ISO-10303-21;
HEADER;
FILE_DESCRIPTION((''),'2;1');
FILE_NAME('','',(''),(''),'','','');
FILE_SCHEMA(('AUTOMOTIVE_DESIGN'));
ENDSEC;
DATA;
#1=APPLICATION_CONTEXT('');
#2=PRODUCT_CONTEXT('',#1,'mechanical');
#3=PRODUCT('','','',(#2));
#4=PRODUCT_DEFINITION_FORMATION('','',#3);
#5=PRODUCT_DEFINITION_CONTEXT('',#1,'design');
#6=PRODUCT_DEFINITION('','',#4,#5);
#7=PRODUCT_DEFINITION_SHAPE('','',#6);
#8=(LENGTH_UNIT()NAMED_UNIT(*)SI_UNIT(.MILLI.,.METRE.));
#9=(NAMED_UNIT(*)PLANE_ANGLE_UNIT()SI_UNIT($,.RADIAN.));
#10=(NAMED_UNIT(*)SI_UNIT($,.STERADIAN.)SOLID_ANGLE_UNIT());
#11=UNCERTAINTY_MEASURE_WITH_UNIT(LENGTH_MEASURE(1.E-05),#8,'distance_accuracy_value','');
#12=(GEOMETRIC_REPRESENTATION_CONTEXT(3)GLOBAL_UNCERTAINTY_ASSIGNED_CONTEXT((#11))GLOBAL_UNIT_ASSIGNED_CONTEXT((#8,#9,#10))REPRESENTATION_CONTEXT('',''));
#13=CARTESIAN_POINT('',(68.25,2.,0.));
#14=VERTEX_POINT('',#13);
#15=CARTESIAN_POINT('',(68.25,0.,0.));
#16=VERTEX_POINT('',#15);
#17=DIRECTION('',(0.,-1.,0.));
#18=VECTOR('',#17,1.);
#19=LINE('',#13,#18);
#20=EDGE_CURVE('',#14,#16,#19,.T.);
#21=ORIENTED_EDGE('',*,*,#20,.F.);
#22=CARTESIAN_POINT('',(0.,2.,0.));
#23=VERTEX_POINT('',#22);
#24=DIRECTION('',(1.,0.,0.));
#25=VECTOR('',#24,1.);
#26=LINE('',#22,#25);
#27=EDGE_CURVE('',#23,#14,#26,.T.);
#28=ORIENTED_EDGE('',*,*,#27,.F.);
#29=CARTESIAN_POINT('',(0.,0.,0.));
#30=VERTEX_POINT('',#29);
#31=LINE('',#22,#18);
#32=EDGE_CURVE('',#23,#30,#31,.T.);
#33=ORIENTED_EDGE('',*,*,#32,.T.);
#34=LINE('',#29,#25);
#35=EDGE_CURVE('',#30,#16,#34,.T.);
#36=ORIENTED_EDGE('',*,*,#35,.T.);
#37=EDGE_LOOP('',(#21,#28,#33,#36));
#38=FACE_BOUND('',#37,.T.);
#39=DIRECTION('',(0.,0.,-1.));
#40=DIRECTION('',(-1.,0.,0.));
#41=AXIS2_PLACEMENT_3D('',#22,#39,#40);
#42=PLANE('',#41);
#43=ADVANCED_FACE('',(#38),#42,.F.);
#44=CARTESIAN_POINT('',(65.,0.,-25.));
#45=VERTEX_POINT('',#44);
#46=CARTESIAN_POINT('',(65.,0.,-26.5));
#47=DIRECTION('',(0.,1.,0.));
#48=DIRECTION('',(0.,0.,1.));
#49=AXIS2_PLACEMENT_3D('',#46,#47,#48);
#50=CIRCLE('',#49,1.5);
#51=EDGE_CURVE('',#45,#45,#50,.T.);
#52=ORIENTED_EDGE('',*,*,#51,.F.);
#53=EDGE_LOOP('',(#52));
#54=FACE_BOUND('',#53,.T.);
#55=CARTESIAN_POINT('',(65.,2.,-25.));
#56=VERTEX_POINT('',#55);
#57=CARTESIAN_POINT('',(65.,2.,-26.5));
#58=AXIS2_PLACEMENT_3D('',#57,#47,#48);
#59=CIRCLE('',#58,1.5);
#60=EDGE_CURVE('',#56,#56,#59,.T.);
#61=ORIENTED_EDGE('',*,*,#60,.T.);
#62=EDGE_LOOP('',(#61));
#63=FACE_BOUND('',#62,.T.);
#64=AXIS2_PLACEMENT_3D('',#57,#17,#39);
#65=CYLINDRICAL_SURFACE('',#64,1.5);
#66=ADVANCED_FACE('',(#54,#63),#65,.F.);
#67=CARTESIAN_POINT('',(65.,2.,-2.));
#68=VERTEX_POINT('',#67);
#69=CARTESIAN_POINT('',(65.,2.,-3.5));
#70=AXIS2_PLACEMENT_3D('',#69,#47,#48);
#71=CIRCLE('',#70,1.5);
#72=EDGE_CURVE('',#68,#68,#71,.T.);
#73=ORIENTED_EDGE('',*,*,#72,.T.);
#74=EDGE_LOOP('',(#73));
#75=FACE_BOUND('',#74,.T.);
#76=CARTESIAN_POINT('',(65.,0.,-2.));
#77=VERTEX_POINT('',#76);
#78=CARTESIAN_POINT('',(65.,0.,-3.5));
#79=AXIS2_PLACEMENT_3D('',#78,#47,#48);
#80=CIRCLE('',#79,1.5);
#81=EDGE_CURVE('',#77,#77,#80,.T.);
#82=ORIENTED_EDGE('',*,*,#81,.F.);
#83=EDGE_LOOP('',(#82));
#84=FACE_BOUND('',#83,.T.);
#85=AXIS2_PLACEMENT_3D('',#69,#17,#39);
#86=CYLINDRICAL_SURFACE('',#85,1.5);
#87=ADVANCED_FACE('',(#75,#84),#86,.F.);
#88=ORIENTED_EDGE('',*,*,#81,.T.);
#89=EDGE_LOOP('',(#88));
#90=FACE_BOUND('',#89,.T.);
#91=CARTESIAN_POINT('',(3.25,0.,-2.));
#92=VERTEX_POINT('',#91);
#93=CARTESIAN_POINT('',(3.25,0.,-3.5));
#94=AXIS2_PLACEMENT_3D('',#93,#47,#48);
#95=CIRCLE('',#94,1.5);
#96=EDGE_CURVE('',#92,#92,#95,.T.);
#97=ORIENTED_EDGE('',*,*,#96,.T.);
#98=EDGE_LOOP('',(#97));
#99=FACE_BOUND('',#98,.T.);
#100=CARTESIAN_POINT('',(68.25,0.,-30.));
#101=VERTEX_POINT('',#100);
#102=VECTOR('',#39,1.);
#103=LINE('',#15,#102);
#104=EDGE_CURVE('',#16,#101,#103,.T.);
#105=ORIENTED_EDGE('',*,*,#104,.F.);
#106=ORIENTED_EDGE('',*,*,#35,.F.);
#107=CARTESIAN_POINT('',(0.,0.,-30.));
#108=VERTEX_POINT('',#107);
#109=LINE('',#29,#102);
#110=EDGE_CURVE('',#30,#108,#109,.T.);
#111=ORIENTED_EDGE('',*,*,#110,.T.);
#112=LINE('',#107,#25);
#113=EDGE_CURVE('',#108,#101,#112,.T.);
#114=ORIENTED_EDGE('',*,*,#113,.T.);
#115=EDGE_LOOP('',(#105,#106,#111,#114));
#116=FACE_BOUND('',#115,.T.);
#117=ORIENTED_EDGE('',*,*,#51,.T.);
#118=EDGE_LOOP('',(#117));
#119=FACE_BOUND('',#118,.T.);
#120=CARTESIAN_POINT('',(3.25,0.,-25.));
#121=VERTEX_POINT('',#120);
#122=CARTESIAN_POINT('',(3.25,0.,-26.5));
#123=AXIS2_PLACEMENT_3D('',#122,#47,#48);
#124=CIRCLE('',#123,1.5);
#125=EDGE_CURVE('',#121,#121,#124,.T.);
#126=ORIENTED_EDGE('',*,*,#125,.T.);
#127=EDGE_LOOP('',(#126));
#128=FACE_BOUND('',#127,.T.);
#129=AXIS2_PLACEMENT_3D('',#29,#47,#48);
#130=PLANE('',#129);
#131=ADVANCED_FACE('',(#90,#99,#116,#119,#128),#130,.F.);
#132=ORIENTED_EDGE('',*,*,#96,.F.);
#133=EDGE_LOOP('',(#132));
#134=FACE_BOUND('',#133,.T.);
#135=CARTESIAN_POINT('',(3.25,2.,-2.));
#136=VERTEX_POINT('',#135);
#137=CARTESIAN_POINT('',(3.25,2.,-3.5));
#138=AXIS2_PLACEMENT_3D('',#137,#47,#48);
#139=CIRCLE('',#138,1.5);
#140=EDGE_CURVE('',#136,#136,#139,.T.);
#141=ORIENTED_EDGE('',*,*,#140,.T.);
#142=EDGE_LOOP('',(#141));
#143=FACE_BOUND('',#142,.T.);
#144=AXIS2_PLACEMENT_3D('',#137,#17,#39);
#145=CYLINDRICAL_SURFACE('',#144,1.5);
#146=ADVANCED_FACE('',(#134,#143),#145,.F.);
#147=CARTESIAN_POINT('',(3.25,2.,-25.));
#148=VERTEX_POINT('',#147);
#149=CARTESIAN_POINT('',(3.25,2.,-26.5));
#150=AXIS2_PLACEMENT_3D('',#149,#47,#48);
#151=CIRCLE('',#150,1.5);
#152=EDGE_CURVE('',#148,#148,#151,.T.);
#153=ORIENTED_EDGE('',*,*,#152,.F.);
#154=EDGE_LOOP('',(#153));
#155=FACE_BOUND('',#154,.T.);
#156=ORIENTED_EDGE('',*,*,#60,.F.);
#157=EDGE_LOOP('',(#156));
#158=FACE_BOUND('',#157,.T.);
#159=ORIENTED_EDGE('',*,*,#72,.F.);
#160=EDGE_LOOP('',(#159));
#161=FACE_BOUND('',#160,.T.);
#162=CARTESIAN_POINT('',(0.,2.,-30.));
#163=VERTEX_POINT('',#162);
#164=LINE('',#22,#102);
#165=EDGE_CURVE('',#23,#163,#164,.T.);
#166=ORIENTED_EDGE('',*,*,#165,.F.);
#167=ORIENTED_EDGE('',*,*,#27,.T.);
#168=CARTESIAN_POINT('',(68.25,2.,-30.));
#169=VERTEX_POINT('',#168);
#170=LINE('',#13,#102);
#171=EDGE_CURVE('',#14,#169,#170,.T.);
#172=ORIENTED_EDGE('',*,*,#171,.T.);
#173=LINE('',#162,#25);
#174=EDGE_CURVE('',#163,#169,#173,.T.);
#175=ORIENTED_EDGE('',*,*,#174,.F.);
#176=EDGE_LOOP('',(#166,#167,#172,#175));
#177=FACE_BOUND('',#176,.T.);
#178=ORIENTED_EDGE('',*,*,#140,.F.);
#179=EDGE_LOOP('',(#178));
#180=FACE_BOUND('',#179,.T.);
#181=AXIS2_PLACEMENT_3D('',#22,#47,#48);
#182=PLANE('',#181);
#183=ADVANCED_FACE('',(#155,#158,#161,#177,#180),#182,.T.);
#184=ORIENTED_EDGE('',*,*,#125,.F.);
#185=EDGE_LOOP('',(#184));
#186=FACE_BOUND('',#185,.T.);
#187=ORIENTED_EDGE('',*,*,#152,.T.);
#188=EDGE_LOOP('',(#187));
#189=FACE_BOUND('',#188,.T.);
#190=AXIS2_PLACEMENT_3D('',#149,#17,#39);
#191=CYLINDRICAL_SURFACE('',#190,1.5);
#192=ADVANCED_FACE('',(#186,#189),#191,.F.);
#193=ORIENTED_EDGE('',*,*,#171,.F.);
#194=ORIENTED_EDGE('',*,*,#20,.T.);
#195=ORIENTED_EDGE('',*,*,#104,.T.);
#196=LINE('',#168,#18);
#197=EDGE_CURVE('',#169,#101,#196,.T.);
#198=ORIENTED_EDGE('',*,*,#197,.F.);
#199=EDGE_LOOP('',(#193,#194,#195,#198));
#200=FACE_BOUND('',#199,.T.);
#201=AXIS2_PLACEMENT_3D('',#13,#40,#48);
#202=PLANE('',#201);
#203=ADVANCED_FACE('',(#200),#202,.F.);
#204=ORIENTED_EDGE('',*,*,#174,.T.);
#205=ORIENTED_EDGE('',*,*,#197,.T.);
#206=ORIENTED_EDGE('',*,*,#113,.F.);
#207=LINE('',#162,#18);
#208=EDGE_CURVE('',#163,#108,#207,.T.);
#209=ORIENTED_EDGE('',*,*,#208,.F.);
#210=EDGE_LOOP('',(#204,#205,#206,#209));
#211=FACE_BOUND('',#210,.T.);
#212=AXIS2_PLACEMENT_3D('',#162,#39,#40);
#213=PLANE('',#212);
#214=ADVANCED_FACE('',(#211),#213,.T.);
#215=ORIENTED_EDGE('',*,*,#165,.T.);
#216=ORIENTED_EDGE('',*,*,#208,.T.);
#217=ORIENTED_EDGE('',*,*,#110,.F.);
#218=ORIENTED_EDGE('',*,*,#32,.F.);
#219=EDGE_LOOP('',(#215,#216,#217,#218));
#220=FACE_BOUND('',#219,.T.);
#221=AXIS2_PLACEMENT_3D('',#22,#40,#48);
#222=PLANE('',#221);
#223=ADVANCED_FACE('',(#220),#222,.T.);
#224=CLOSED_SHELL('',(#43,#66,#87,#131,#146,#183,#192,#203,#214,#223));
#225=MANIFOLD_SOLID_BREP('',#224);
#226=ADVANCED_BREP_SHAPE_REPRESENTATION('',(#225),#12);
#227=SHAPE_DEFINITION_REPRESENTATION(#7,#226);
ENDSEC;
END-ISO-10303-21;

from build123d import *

# Parameters (mm, degrees)
SKETCH1_W           = 68.25
SKETCH1_H           = 30
SKETCH1_R           = 1.5
BOSS_EXTRUDE1_DEPTH = 2


with BuildPart() as part:
    # Sketch1 → Boss-Extrude1 (new body)
    with BuildSketch(Plane(origin=(0, 0, 0), x_dir=(1, 0, 0), z_dir=(0, 1, 0))):
        with Locations((34.125, 15)):
            Rectangle(SKETCH1_W, SKETCH1_H)
        with Locations((3.25, 3.5)):
            Circle(SKETCH1_R, mode=Mode.SUBTRACT)
        with Locations((65, 26.5)):
            Circle(SKETCH1_R, mode=Mode.SUBTRACT)
        with Locations((65, 3.5)):
            Circle(SKETCH1_R, mode=Mode.SUBTRACT)
        with Locations((3.25, 26.5)):
            Circle(SKETCH1_R, mode=Mode.SUBTRACT)
    extrude(amount=BOSS_EXTRUDE1_DEPTH)


solid = part.part
